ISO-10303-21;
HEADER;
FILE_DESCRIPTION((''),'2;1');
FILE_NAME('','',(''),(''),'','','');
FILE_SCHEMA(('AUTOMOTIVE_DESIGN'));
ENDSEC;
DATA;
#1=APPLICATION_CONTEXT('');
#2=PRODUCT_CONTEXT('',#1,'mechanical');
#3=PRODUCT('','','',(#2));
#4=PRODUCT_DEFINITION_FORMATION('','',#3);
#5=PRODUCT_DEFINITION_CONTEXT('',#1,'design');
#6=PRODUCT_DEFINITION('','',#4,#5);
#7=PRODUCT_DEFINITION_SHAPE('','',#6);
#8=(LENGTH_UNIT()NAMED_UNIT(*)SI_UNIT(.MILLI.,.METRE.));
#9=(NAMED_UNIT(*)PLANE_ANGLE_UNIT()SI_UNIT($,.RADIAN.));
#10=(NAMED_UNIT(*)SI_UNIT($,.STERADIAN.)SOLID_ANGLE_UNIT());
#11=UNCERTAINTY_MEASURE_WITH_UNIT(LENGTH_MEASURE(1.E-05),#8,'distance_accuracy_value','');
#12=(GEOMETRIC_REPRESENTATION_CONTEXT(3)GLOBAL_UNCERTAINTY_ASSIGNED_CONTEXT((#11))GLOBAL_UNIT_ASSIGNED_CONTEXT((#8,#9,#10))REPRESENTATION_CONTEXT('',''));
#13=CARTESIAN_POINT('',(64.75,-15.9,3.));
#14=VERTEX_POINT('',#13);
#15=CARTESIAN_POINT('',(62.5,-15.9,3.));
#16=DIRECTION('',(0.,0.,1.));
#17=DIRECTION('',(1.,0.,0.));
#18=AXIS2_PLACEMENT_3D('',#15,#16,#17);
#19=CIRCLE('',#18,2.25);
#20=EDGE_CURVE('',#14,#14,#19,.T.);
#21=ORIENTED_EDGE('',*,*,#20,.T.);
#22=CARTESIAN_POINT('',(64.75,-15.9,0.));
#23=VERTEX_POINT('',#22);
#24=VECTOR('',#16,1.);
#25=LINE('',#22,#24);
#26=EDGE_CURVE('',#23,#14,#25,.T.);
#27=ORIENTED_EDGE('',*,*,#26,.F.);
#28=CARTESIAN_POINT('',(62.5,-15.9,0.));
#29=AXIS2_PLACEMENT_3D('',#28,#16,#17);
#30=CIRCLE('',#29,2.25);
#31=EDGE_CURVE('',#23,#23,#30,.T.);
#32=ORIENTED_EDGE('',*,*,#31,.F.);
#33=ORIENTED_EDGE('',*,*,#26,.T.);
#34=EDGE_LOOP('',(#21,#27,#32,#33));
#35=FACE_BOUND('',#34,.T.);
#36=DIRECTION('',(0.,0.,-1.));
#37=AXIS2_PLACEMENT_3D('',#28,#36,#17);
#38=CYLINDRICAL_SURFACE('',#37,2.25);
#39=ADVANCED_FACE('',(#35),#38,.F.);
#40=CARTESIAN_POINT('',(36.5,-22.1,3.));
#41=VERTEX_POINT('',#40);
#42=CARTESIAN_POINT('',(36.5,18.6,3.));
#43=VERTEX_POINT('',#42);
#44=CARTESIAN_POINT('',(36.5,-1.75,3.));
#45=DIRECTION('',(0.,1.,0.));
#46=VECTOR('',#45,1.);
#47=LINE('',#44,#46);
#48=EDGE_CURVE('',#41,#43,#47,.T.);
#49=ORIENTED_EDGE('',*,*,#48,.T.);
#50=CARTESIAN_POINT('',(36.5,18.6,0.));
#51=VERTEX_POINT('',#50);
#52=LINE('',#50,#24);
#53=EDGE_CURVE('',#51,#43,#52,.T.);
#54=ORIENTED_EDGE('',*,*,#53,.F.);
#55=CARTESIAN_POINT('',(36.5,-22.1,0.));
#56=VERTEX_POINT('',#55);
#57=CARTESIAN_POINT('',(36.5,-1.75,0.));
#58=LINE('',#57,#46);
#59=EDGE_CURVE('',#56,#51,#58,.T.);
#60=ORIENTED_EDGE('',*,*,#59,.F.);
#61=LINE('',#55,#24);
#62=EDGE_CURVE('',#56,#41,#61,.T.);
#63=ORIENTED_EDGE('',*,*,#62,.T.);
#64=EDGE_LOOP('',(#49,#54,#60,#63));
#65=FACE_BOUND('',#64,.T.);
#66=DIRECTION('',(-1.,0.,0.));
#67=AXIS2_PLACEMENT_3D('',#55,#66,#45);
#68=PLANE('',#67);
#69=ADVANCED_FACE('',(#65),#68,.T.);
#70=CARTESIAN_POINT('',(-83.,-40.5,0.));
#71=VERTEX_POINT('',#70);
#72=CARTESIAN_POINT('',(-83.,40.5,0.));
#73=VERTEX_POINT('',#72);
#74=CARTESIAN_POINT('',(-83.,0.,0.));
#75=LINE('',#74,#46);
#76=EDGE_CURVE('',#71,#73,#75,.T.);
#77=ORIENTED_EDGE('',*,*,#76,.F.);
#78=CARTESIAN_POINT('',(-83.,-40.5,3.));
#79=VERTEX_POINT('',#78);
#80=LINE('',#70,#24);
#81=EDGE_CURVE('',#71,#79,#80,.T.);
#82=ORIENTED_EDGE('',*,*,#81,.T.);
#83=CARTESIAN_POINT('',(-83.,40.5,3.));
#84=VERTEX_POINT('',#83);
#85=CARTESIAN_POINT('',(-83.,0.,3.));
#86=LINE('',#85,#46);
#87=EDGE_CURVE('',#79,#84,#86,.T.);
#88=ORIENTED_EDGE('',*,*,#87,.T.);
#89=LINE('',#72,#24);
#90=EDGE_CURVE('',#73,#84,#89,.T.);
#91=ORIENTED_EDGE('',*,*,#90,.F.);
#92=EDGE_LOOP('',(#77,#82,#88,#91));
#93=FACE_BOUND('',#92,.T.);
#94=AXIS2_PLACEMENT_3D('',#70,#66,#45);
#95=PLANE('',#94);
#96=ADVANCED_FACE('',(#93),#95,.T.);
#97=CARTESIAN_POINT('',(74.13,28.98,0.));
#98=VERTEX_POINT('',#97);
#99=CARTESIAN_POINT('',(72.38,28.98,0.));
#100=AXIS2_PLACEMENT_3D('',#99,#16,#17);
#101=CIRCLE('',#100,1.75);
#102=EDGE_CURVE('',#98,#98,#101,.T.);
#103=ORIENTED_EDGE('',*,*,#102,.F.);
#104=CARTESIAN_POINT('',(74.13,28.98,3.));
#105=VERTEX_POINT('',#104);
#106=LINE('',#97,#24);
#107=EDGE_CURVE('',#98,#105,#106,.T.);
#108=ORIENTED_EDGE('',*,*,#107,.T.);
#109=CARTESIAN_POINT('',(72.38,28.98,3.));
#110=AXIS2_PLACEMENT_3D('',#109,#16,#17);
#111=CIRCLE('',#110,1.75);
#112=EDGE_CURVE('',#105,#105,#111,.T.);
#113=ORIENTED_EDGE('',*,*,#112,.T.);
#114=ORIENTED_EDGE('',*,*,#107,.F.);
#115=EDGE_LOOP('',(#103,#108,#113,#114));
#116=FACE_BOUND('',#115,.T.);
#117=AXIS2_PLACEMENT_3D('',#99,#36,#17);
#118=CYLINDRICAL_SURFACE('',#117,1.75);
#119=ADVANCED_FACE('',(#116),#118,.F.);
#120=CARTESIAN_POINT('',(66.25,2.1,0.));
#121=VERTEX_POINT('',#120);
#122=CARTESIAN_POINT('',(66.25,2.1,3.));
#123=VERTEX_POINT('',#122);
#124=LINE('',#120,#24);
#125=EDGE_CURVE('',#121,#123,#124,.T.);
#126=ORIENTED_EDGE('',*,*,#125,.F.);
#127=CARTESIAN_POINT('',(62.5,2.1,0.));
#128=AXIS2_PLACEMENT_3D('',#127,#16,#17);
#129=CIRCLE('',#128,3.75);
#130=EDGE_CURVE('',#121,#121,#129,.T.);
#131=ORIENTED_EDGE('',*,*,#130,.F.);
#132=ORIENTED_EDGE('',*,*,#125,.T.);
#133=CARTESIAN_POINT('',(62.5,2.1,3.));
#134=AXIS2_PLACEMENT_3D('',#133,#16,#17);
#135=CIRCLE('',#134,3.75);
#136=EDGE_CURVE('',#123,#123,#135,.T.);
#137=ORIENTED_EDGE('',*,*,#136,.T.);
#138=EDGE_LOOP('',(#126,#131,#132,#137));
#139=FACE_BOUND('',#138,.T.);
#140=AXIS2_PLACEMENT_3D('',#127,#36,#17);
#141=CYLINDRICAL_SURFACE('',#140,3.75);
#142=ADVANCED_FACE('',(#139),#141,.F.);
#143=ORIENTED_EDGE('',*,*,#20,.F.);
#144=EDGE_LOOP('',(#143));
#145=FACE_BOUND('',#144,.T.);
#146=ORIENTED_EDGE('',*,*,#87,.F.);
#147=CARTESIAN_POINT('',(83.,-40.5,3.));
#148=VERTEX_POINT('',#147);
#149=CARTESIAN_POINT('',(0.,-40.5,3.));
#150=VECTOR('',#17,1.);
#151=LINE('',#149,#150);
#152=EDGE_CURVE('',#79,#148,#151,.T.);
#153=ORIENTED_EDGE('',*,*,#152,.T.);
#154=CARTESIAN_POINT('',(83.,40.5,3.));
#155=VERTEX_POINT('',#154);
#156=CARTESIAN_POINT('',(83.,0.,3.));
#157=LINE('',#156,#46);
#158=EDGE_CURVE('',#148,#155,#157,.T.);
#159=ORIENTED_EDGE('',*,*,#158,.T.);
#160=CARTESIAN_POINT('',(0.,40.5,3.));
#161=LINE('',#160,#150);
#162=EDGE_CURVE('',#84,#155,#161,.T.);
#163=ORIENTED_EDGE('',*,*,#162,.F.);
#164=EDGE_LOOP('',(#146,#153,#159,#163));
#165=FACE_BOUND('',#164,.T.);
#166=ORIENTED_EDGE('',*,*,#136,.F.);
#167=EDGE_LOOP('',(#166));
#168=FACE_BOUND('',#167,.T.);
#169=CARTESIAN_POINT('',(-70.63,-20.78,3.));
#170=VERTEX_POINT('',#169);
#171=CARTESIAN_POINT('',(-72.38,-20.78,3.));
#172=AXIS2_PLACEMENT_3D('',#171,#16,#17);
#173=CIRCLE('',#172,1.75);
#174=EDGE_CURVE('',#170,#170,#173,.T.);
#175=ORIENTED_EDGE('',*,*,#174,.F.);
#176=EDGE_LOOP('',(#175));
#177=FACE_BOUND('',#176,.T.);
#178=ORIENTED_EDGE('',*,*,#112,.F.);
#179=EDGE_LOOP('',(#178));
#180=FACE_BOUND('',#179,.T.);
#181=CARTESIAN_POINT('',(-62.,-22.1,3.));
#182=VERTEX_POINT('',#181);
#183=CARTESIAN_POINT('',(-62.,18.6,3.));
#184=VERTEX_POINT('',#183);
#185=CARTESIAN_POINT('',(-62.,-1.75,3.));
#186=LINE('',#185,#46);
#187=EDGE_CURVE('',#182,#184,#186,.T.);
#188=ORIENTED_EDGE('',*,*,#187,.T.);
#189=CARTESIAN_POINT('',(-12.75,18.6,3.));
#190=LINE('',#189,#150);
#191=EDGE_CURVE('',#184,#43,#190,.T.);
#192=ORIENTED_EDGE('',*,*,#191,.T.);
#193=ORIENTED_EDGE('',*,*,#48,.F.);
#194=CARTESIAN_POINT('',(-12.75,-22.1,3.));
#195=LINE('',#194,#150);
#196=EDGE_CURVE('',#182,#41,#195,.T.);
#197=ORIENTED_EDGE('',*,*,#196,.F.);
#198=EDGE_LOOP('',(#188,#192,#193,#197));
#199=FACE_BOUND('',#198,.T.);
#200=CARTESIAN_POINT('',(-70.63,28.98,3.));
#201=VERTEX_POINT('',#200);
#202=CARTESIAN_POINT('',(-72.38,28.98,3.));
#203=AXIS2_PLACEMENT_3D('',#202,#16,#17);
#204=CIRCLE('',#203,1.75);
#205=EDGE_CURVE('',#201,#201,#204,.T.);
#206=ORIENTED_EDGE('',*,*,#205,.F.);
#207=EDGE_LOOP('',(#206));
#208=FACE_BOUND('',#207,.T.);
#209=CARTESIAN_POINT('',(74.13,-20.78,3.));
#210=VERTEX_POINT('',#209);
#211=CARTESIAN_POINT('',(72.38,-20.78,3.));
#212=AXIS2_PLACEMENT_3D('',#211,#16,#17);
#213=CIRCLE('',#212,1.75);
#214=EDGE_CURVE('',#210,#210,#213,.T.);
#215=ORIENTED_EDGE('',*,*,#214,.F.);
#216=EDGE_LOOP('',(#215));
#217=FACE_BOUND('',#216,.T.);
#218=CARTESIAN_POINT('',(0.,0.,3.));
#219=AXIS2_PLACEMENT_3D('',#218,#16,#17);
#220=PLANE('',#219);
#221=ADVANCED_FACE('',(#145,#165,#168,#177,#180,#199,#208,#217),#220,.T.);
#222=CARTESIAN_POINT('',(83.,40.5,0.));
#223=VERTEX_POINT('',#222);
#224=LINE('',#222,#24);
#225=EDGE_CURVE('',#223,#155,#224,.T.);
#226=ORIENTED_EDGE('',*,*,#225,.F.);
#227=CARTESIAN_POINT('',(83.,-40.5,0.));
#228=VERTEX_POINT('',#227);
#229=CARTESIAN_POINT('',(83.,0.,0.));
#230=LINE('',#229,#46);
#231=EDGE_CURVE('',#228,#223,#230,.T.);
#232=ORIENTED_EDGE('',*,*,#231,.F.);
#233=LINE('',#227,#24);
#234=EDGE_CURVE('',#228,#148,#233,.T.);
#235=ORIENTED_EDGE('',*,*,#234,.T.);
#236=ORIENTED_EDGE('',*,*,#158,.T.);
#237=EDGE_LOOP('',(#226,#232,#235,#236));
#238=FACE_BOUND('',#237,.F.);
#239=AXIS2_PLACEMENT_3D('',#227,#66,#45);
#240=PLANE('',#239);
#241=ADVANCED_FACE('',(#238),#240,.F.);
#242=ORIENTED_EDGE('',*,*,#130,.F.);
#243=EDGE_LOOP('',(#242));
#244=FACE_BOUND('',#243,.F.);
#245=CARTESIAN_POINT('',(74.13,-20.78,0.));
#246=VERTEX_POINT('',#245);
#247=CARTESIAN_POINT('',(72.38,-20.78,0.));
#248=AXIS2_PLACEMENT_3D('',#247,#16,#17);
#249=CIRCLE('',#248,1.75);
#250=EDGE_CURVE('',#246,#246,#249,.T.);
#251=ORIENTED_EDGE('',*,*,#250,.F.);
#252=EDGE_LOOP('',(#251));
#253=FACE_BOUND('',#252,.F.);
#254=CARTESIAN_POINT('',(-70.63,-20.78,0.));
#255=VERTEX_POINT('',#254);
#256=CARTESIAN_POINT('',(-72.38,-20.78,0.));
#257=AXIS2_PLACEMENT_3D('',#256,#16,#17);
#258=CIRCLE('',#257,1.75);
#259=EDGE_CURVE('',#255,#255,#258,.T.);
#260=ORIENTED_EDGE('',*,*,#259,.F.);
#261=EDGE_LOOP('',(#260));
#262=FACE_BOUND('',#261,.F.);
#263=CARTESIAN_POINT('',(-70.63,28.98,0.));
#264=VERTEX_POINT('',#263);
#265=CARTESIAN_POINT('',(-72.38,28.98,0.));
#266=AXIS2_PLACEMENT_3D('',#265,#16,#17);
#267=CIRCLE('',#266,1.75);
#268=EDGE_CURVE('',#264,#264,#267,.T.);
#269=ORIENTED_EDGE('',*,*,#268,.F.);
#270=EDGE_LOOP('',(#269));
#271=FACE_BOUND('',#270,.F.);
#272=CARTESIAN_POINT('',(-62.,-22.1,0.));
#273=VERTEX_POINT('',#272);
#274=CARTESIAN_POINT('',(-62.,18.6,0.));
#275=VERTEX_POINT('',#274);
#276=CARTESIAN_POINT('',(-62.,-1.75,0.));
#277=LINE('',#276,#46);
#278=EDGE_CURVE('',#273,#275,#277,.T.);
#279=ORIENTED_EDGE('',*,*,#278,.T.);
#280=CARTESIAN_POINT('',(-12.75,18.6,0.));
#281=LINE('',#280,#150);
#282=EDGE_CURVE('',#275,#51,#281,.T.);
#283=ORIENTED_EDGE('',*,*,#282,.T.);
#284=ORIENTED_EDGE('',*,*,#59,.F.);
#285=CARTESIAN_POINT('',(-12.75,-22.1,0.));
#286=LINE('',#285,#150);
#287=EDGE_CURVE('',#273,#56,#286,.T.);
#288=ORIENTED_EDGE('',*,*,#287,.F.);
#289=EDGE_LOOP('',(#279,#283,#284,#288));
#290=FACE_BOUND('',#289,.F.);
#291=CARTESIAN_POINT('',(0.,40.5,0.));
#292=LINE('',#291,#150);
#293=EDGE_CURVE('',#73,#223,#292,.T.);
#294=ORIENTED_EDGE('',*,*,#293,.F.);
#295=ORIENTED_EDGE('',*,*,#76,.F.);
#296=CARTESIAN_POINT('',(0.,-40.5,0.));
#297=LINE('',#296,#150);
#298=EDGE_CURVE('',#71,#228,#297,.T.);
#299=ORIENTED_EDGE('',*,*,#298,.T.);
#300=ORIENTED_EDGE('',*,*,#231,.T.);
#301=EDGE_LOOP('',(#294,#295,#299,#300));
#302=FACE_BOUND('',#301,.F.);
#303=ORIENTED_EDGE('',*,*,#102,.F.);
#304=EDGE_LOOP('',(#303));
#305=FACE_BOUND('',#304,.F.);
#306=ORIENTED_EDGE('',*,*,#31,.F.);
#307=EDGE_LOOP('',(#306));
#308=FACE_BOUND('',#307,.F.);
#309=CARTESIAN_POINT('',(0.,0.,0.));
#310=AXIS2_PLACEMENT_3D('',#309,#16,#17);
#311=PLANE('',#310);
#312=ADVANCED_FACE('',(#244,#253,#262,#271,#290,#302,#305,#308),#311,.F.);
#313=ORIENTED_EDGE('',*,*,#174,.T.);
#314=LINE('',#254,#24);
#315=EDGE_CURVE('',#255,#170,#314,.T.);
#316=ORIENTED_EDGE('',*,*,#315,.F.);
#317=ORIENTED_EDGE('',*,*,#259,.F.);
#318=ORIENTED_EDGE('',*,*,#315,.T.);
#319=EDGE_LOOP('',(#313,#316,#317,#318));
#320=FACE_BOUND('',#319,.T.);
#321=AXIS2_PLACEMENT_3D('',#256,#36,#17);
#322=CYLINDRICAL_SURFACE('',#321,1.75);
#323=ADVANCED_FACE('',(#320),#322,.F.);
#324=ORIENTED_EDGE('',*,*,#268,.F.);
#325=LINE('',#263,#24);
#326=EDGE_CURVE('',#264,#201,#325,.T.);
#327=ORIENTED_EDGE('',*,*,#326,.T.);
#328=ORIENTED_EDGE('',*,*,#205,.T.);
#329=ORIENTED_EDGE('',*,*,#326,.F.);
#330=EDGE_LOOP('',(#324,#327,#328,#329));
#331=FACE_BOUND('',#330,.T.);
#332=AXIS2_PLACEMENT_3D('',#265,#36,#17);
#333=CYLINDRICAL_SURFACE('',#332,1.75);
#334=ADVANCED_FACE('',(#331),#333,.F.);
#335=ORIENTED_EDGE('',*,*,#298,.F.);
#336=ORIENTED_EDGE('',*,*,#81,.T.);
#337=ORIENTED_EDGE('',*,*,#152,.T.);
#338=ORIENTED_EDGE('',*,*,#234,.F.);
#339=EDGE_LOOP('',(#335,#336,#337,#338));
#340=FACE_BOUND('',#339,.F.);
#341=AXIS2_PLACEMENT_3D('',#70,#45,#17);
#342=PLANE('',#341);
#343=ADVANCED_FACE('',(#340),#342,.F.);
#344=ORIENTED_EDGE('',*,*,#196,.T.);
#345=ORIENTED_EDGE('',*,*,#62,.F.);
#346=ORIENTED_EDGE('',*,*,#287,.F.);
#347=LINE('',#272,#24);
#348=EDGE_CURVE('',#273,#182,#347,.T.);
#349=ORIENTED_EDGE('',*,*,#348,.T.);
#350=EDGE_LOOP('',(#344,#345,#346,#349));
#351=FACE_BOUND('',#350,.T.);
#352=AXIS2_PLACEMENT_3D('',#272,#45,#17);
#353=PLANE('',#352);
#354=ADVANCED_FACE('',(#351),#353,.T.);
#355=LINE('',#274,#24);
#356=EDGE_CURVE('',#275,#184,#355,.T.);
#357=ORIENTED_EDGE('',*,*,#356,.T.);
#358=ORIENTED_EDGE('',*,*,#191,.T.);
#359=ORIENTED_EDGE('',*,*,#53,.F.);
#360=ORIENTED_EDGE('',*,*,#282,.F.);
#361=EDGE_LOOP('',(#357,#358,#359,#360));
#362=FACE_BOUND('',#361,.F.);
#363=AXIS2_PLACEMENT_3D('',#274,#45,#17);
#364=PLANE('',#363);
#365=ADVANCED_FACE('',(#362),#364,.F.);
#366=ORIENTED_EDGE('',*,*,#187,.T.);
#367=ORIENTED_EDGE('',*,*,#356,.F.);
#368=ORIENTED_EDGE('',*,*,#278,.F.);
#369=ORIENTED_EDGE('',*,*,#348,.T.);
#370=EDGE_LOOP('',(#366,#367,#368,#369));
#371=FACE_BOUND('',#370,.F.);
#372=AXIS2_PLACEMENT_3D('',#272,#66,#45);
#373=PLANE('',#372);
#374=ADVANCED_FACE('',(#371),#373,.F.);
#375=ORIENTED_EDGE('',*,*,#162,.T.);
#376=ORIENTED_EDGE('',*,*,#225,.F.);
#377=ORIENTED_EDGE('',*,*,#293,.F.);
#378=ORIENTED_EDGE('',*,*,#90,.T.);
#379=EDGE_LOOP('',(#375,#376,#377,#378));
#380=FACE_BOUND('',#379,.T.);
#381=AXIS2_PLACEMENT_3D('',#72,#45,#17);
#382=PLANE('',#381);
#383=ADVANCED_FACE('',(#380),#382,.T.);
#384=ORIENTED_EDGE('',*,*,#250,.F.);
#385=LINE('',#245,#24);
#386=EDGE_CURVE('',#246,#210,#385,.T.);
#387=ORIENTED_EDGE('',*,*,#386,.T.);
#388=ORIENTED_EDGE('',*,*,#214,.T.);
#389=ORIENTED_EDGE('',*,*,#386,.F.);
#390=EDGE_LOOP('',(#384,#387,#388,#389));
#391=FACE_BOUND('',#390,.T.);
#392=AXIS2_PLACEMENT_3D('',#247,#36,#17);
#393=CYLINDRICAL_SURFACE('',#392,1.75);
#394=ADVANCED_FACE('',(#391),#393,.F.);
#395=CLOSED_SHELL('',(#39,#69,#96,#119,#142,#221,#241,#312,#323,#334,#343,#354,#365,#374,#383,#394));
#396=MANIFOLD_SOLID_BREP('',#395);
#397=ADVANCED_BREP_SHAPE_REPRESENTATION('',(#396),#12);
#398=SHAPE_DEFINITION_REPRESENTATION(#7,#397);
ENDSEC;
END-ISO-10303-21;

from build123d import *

# Parameters (mm, degrees)
F0_W     = 166
F0_H     = 81
F0_W_2   = 150
F0_H_2   = 63.2
F0_R     = 1.75
F0_W_3   = 98.5
F0_H_3   = 40.7
F0_W_4   = 6
F0_H_4   = 6
F0_W_5   = 13
F0_H_5   = 12
F0_R_2   = 3.75
F0_R_3   = 2.25
F1_DEPTH = 3


with BuildPart() as f1:
    # F0 (on Top) → F1 (new body)
    with BuildSketch(Plane.XY):
        Rectangle(F0_W, F0_H)
        Rectangle(F0_W_2, F0_H_2, mode=Mode.SUBTRACT)
        Rectangle(F0_W_2, F0_H_2)
        with Locations((-72.38, -20.78)):
            Circle(F0_R, mode=Mode.SUBTRACT)
        with Locations((-12.75, -1.75)):
            Rectangle(F0_W_3, F0_H_3, mode=Mode.SUBTRACT)
        with Locations((72.38, -20.78)):
            Circle(F0_R, mode=Mode.SUBTRACT)
        with Locations((62.5, -15.9)):
            Rectangle(F0_W_4, F0_H_4, mode=Mode.SUBTRACT)
        with Locations((-72.38, 28.98)):
            Circle(F0_R, mode=Mode.SUBTRACT)
        with Locations((62.5, 2.1)):
            Rectangle(F0_W_5, F0_H_5, mode=Mode.SUBTRACT)
        with Locations((72.38, 28.98)):
            Circle(F0_R, mode=Mode.SUBTRACT)
        with Locations((62.5, 2.1)):
            Rectangle(F0_W_5, F0_H_5)
        with Locations((62.5, 2.1)):
            Circle(F0_R_2, mode=Mode.SUBTRACT)
        with Locations((62.5, -15.9)):
            Rectangle(F0_W_4, F0_H_4)
        with Locations((62.5, -15.9)):
            Circle(F0_R_3, mode=Mode.SUBTRACT)
    extrude(amount=F1_DEPTH)


solid = f1.part
